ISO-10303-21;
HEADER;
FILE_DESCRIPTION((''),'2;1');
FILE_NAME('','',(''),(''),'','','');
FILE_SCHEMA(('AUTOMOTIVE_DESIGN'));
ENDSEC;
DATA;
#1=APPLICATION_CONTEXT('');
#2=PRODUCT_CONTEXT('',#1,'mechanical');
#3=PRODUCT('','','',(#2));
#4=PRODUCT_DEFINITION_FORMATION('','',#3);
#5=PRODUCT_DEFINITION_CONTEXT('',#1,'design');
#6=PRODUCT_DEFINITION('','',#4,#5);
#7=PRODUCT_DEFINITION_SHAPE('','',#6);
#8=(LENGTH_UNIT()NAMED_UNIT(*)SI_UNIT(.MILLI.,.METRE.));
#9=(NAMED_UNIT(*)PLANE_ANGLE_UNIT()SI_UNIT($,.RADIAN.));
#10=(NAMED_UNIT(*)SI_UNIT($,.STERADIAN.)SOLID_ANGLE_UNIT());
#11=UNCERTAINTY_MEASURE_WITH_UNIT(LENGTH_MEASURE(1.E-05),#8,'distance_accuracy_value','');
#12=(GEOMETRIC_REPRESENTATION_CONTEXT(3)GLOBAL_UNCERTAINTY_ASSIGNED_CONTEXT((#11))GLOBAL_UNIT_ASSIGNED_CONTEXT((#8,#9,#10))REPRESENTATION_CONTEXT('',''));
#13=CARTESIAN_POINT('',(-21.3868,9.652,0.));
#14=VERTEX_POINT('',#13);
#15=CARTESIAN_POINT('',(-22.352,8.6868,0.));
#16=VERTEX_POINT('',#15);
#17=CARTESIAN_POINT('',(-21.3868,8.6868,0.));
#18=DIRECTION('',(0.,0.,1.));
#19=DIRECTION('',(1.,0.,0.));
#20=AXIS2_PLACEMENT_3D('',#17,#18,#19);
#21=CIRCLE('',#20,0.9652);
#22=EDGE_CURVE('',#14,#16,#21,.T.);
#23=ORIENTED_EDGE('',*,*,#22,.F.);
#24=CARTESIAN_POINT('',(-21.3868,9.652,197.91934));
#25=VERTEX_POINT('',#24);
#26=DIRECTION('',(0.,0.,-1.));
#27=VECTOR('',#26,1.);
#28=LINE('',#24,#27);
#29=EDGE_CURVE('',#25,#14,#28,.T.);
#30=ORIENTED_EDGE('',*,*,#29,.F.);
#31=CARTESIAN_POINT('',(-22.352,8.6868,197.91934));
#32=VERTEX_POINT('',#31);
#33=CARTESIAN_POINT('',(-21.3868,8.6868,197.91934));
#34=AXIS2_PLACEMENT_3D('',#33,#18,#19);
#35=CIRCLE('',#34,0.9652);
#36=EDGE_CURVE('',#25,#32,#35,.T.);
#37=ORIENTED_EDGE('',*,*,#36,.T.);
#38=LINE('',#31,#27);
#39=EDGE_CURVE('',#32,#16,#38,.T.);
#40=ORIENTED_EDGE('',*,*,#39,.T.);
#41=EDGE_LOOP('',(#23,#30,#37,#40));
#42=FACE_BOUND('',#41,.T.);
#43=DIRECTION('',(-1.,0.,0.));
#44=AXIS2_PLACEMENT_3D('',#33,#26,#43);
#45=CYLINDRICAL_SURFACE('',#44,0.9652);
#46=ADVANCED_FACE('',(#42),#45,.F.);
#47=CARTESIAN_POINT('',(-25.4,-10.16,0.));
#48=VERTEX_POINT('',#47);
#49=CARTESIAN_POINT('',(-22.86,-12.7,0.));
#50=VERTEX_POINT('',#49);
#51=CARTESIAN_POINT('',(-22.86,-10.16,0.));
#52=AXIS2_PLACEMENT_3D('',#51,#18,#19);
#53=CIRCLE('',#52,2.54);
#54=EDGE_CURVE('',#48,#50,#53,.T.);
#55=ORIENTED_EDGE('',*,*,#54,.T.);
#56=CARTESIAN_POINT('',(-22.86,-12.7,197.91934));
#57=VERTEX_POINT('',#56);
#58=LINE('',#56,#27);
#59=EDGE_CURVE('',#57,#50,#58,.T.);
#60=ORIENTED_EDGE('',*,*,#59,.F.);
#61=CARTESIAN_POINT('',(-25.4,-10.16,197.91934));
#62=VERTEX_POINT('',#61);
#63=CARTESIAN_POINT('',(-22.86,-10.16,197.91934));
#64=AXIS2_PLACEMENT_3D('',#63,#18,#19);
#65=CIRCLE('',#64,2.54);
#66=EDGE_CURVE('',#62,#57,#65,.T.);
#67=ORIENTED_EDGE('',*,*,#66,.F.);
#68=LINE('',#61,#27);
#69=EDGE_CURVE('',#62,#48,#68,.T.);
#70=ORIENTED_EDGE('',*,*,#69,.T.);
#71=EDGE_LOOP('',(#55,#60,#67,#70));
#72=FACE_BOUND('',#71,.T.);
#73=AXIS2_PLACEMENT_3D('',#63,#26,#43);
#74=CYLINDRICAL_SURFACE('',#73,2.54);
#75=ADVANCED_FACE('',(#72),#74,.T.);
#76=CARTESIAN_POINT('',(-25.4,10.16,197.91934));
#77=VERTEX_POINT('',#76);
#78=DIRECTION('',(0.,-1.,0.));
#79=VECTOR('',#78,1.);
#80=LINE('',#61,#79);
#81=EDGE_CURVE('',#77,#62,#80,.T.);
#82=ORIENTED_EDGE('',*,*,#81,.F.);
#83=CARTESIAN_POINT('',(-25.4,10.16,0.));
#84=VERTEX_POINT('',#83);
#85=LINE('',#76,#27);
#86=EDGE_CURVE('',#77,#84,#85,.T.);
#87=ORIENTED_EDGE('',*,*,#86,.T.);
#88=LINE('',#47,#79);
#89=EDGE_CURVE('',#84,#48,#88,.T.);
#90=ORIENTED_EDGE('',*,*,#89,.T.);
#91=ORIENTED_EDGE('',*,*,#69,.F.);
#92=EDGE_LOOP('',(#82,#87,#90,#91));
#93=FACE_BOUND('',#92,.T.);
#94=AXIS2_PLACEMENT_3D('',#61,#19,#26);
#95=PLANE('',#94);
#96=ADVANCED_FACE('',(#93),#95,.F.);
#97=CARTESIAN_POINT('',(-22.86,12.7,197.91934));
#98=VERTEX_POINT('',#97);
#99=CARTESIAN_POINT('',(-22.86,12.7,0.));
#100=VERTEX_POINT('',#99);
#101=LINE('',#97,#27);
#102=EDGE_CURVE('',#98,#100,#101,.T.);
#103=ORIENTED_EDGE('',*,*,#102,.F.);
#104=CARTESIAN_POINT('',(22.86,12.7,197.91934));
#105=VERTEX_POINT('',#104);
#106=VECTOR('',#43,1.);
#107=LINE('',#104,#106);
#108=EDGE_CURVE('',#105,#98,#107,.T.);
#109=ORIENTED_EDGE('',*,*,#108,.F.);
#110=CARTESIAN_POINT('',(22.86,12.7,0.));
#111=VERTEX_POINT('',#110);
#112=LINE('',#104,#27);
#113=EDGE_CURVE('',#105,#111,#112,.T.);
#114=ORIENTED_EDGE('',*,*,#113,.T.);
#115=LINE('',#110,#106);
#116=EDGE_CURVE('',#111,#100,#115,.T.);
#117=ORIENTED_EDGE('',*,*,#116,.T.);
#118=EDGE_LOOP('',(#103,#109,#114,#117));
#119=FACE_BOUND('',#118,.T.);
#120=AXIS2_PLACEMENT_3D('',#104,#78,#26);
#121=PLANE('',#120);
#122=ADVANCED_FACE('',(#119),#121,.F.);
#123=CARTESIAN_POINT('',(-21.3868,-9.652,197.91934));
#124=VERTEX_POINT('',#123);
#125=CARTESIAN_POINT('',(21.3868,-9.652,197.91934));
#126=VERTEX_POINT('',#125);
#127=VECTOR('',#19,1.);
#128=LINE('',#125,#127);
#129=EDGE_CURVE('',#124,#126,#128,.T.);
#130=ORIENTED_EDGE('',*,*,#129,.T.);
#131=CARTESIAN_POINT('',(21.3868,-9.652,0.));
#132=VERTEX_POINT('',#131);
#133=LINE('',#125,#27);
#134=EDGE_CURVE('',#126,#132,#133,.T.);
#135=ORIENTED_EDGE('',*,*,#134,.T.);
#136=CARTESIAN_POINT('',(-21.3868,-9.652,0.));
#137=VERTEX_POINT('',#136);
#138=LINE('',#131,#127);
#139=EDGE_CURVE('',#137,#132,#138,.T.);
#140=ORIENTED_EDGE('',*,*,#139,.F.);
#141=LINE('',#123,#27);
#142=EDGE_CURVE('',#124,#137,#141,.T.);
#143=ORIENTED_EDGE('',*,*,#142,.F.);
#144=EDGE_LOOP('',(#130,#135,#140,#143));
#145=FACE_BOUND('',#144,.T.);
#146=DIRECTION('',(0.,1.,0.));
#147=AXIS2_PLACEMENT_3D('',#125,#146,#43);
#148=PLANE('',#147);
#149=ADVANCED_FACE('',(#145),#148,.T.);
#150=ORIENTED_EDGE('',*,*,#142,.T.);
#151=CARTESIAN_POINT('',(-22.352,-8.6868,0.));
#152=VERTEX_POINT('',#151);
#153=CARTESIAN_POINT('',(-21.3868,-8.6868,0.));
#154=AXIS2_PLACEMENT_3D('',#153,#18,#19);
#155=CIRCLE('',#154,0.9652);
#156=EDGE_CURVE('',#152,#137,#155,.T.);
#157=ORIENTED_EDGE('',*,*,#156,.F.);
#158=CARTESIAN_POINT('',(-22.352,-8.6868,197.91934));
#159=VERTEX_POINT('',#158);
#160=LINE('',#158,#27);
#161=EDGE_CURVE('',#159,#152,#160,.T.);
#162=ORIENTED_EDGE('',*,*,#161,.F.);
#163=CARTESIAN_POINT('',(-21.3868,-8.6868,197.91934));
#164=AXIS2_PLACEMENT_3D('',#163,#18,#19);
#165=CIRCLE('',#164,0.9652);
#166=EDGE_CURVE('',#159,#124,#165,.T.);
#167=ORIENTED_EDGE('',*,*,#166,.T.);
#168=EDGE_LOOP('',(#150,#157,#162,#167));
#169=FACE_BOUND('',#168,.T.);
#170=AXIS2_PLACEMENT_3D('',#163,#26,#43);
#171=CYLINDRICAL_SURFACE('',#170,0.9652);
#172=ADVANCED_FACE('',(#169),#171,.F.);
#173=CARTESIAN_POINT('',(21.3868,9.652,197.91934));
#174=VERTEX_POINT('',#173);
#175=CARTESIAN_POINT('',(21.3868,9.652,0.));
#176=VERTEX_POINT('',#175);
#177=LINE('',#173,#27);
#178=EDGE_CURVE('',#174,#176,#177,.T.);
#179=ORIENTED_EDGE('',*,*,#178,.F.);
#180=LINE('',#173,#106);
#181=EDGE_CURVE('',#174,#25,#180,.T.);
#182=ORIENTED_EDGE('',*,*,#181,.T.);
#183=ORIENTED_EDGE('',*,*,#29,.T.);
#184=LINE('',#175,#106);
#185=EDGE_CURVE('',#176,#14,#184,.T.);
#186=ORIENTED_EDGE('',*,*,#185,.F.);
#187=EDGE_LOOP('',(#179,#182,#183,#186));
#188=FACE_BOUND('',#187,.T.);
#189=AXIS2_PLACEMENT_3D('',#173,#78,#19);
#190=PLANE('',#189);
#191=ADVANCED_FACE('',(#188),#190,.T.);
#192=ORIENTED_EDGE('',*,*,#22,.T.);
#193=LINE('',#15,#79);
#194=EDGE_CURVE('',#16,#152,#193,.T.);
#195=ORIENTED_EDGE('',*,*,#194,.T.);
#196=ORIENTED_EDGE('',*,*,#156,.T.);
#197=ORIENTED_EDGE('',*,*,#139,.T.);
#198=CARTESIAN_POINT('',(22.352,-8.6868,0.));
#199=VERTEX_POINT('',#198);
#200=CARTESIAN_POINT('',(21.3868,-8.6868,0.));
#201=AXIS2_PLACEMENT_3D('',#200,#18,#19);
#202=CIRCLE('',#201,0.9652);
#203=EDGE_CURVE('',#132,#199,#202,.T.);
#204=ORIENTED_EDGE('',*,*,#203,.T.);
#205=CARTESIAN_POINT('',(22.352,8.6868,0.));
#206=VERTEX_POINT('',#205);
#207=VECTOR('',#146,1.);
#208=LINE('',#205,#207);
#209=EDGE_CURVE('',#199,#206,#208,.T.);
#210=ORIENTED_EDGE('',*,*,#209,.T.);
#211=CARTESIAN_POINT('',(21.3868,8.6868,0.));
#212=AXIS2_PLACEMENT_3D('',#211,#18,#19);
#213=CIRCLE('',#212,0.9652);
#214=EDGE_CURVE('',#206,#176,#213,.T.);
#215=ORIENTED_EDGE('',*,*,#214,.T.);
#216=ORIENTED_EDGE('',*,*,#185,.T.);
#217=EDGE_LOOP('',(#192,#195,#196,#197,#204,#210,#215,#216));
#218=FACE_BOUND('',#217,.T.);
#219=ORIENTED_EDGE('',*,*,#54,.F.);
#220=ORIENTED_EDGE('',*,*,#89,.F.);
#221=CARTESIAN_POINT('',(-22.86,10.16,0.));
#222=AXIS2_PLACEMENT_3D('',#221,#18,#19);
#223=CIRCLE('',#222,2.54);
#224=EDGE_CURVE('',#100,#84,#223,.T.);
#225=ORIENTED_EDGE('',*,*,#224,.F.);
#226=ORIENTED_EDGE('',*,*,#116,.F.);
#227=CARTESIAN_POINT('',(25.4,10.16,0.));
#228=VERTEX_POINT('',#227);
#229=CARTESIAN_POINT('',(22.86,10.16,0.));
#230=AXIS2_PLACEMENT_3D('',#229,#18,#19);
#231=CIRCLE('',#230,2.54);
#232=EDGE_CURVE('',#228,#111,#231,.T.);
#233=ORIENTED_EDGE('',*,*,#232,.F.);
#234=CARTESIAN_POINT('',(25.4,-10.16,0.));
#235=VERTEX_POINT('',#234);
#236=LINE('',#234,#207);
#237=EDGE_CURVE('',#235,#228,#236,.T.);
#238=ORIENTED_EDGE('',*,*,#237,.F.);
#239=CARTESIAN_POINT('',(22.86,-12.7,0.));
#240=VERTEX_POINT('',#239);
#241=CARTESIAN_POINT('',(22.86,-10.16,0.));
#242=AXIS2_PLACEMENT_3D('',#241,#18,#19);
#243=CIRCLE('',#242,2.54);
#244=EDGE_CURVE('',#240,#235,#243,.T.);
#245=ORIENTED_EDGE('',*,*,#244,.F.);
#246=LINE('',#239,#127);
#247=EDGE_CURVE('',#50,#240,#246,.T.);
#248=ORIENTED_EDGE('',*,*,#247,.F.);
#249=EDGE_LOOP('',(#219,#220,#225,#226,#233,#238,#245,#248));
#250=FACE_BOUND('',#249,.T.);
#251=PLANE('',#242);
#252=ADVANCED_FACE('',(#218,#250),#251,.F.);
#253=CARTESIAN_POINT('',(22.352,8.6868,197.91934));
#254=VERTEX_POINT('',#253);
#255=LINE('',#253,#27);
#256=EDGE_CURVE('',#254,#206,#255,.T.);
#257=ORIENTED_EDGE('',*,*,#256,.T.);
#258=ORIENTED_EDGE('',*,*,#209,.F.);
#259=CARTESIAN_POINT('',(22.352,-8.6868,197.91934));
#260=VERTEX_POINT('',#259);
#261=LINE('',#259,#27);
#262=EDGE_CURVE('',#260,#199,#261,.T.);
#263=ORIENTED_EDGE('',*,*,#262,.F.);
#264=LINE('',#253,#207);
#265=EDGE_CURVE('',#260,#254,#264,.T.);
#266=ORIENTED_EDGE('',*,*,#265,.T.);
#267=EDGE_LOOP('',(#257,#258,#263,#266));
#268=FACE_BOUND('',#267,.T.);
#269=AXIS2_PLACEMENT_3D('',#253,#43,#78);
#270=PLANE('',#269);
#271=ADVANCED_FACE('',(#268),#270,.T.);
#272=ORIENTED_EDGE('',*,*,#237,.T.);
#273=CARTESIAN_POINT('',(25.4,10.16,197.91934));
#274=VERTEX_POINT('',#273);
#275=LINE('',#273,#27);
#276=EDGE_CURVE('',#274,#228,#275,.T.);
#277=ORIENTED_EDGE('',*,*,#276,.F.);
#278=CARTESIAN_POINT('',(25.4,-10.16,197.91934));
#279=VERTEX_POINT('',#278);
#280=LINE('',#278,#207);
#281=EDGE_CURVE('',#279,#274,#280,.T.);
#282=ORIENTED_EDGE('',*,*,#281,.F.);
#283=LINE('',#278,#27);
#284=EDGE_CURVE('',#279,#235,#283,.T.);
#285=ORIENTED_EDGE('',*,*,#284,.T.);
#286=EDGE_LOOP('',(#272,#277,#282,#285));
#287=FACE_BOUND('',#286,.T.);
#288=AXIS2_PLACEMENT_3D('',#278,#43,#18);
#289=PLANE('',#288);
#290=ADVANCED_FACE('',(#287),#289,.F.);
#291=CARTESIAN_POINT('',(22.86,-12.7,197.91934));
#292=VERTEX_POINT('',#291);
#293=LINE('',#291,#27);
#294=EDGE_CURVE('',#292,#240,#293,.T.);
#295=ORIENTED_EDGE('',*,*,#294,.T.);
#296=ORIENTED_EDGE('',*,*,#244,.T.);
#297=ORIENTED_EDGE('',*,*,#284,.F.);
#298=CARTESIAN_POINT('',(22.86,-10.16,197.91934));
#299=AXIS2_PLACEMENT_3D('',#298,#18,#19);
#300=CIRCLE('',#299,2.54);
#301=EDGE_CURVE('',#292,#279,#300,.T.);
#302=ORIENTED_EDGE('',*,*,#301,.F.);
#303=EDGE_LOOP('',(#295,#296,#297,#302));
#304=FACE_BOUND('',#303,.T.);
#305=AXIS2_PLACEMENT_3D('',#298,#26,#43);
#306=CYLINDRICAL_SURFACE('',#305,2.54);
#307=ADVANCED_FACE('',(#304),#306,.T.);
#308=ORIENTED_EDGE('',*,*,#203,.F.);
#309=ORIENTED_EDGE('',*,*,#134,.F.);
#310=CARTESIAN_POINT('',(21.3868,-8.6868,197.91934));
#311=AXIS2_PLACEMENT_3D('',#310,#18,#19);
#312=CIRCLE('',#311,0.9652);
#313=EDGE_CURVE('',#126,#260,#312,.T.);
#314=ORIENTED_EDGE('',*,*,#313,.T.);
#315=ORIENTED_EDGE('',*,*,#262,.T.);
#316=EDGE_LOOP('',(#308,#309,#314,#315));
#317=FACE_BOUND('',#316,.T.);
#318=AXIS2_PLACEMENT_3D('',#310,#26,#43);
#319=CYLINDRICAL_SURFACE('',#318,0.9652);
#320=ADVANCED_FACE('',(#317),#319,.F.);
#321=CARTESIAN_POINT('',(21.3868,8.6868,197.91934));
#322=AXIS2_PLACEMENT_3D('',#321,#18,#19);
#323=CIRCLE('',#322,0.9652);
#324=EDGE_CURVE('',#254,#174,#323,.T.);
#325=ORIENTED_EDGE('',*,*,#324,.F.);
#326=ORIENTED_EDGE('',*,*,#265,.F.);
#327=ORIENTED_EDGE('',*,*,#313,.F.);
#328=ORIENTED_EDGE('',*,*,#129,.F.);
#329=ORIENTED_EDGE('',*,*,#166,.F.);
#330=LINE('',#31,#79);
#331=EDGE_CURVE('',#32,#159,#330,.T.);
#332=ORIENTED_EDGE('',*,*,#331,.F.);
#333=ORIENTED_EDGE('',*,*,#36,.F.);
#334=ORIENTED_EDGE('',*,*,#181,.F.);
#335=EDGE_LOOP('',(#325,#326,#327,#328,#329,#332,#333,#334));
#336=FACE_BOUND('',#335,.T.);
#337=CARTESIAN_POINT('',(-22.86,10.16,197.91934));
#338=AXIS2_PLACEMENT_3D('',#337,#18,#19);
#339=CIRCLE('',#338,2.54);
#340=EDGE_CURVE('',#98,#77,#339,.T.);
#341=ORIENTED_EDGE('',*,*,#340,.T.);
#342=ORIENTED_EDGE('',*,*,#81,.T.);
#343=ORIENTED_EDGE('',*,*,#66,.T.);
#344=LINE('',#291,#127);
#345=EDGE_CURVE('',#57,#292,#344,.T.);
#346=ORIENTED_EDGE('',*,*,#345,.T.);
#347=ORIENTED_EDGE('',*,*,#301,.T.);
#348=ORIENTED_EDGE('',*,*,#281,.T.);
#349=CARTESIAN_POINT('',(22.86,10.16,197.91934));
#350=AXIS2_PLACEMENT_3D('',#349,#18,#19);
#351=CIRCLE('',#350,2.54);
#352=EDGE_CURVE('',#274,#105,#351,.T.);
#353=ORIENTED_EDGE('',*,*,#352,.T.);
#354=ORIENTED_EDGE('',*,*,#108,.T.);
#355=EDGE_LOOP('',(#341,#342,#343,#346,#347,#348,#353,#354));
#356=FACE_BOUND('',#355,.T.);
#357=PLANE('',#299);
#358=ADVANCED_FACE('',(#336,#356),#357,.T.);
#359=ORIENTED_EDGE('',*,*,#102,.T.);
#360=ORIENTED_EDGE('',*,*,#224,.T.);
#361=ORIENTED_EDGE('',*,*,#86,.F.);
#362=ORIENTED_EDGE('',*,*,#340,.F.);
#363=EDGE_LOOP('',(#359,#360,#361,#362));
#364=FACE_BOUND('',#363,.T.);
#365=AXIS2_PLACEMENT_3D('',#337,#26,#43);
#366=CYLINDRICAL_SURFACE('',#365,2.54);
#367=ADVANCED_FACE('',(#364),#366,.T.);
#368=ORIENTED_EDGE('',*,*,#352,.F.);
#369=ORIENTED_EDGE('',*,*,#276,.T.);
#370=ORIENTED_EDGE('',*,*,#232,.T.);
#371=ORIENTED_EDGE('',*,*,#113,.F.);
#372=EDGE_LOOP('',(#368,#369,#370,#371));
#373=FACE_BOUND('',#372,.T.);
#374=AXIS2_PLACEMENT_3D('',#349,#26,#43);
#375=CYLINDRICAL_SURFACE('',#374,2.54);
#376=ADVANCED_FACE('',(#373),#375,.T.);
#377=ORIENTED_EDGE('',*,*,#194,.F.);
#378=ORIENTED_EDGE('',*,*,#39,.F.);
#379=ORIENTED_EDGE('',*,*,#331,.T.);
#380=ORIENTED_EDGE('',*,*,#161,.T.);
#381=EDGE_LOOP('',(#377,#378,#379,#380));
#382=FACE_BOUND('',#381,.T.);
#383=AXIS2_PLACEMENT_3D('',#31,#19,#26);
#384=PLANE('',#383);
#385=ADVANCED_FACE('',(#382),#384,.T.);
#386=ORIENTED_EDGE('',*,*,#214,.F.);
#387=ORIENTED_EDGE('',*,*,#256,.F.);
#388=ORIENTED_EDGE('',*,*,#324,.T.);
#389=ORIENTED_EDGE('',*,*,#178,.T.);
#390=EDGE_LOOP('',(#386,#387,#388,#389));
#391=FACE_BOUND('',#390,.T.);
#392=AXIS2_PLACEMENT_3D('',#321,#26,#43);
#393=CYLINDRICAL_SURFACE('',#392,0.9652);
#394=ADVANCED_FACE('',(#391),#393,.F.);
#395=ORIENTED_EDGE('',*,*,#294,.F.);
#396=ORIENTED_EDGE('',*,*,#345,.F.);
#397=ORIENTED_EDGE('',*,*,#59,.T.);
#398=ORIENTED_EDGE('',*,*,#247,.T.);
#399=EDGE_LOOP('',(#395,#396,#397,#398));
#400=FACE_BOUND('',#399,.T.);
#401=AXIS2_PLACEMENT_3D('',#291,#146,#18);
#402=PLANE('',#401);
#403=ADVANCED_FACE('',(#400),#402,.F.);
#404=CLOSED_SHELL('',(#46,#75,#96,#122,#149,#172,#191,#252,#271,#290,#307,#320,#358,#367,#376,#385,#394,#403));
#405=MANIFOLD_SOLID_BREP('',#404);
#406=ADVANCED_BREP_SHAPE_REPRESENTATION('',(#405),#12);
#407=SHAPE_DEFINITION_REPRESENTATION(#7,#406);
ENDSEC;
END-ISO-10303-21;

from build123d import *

# Parameters (mm, degrees)
BOSS_EXTRUDE1_DEPTH = 197.91934


with BuildPart() as part:
    # Sketch4 → Boss-Extrude1 (new body)
    with BuildSketch(Plane.XY):
        with BuildLine():
            Line((25.4, -10.16), (25.4, 10.16))
            ThreePointArc((25.4, 10.16), (24.656051224, 11.956051224), (22.86, 12.7))
            Line((22.86, 12.7), (-22.86, 12.7))
            ThreePointArc((-22.86, 12.7), (-24.656051224, 11.956051224), (-25.4, 10.16))
            Line((-25.4, 10.16), (-25.4, -10.16))
            ThreePointArc((-25.4, -10.16), (-24.656051224, -11.956051224), (-22.86, -12.7))
            Line((-22.86, -12.7), (22.86, -12.7))
            ThreePointArc((22.86, -12.7), (24.656051224, -11.956051224), (25.4, -10.16))
        make_face()
        with BuildLine():
            Line((22.352, 8.6868), (22.352, -8.6868))
            ThreePointArc((22.352, -8.6868), (22.069299465, -9.369299465), (21.3868, -9.652))
            Line((21.3868, -9.652), (-21.3868, -9.652))
            ThreePointArc((-21.3868, -9.652), (-22.069299465, -9.369299465), (-22.352, -8.6868))
            Line((-22.352, -8.6868), (-22.352, 8.6868))
            ThreePointArc((-22.352, 8.6868), (-22.069299465, 9.369299465), (-21.3868, 9.652))
            Line((-21.3868, 9.652), (21.3868, 9.652))
            ThreePointArc((21.3868, 9.652), (22.069299465, 9.369299465), (22.352, 8.6868))
        make_face(mode=Mode.SUBTRACT)
    extrude(amount=BOSS_EXTRUDE1_DEPTH)


solid = part.part
